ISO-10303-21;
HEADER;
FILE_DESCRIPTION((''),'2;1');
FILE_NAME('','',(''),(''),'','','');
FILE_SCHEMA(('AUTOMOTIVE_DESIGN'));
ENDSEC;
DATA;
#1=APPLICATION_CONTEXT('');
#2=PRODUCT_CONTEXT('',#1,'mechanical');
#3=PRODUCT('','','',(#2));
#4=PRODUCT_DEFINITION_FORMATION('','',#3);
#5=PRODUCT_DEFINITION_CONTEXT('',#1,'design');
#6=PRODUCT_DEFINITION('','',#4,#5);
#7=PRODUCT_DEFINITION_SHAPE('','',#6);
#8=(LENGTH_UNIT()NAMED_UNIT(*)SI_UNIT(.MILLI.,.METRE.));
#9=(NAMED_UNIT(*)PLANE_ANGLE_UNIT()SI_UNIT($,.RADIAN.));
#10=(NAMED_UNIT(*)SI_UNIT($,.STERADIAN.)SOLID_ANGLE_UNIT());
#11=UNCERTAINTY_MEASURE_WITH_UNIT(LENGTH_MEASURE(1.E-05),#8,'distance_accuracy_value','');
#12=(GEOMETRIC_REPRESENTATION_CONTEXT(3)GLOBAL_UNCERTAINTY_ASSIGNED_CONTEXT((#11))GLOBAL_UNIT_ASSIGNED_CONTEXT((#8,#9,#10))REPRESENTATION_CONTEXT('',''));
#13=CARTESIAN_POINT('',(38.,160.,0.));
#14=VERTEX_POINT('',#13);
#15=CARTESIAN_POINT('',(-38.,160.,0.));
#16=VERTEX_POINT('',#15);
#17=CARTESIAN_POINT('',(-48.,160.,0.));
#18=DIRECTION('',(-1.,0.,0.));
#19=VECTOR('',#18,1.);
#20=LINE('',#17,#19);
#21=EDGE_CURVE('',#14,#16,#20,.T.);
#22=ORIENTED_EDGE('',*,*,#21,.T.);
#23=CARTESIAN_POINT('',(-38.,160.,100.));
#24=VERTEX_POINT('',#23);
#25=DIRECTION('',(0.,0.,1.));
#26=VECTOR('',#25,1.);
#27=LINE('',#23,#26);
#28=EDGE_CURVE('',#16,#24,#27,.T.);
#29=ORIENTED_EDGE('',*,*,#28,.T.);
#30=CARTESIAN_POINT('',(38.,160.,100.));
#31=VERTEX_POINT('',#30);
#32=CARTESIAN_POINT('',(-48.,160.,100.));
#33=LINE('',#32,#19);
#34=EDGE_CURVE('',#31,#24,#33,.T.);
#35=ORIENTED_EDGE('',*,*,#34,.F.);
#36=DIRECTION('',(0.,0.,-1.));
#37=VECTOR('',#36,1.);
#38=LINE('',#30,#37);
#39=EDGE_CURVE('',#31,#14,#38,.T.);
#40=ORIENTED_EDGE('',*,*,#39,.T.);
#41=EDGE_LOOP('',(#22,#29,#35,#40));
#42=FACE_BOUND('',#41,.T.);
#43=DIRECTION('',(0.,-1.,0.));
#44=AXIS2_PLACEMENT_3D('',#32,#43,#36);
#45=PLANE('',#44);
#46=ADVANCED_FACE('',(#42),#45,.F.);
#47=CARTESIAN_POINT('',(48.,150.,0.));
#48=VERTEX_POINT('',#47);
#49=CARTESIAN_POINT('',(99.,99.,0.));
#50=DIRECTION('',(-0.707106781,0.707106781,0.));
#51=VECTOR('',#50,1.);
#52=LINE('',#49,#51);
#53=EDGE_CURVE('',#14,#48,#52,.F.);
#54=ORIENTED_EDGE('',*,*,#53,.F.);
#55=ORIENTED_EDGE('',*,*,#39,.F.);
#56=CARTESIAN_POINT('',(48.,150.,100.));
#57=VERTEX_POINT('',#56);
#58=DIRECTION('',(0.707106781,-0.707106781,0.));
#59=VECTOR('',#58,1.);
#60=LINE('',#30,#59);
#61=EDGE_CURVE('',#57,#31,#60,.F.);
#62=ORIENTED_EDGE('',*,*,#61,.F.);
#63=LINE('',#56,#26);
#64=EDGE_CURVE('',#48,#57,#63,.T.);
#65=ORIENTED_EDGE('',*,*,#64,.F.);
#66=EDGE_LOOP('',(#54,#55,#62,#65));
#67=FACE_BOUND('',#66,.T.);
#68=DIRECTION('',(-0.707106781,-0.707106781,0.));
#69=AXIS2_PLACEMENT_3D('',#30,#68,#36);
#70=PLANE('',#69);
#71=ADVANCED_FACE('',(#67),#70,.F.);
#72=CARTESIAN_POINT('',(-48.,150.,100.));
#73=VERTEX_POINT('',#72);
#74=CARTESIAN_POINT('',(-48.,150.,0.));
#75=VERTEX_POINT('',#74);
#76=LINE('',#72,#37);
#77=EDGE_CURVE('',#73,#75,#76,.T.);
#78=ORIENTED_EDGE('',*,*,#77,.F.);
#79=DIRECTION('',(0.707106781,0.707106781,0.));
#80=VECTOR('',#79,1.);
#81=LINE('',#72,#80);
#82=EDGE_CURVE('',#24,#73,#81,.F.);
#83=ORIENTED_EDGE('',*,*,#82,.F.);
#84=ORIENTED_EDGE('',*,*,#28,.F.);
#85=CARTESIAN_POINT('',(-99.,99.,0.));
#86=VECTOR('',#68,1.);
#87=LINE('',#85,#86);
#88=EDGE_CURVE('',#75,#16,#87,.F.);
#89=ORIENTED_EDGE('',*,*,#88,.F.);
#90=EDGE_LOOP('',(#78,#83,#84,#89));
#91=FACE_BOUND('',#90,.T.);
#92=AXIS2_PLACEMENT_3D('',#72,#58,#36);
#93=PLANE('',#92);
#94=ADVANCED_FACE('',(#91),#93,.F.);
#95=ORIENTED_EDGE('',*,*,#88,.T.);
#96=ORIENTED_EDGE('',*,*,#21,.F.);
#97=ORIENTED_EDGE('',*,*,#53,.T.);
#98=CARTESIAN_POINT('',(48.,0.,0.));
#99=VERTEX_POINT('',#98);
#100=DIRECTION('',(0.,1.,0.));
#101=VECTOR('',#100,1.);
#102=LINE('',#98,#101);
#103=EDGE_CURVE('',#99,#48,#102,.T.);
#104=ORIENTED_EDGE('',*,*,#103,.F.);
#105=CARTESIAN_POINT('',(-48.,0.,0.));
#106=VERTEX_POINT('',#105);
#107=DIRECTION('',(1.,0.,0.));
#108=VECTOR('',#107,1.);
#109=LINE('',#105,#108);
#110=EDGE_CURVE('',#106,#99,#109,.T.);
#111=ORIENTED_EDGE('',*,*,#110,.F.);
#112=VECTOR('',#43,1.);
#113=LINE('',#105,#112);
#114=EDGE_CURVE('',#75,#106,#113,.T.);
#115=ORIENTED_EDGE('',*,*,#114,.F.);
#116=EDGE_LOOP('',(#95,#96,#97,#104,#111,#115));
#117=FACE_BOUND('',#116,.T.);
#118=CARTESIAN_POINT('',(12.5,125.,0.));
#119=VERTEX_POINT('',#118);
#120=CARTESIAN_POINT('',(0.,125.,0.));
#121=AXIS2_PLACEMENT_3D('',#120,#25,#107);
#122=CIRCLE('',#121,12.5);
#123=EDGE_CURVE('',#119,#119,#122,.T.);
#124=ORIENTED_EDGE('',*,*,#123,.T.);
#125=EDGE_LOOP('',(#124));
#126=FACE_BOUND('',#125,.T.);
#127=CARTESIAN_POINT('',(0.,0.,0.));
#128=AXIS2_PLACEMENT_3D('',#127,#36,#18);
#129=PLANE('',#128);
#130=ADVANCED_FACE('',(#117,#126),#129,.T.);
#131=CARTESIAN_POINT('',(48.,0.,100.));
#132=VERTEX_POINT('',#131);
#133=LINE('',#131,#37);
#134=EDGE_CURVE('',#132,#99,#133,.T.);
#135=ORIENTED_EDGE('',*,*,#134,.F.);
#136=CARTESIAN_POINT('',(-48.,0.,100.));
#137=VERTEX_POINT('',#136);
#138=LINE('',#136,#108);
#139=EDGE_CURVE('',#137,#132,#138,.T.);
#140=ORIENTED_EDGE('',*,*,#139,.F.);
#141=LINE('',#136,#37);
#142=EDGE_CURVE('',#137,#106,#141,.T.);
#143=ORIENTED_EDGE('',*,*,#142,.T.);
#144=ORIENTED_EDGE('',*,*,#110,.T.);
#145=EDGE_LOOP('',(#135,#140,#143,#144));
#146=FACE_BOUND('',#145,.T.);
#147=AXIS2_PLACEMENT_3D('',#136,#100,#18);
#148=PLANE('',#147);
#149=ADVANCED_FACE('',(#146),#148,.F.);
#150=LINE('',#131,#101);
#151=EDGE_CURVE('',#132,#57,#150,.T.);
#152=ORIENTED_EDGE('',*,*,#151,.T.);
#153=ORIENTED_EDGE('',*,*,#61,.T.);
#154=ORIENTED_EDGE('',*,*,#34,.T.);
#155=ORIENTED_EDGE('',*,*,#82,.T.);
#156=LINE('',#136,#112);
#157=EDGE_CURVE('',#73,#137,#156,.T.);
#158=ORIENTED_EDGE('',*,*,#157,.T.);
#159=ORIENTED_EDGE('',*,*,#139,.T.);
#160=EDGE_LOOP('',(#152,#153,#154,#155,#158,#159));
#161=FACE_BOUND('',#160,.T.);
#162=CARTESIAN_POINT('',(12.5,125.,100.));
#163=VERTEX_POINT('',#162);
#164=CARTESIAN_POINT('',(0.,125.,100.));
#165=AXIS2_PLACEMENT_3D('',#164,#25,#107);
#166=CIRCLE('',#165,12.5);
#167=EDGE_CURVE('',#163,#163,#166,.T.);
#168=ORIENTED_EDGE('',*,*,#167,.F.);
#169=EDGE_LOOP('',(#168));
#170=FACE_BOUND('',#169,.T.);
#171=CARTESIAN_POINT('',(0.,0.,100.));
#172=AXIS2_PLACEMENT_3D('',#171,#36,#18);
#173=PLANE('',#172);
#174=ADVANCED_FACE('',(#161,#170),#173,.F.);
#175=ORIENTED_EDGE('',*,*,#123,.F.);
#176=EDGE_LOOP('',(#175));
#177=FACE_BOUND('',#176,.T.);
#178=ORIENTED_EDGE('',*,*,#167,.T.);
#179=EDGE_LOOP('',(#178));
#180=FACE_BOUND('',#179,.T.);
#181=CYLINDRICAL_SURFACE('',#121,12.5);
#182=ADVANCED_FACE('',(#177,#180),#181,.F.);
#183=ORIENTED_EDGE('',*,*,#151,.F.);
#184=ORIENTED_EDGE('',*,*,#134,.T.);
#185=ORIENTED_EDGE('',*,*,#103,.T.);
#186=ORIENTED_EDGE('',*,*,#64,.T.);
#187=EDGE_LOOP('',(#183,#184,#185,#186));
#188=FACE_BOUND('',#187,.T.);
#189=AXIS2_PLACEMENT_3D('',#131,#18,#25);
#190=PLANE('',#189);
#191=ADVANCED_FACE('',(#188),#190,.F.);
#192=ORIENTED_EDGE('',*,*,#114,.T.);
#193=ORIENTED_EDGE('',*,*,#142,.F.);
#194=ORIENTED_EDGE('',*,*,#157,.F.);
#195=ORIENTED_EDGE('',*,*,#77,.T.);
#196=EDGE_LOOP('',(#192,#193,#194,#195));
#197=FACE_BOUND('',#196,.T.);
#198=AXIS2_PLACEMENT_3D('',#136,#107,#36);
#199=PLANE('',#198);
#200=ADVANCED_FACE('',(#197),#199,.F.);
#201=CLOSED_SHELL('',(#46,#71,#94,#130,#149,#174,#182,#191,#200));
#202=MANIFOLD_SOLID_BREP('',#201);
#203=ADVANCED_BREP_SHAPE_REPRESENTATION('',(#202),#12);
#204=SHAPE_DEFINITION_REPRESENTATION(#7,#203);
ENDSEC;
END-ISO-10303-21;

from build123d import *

# Parameters (mm, degrees)
SKETCH1_W           = 96
SKETCH1_H           = 160
BOSS_EXTRUDE1_DEPTH = 100
SKETCH2_R           = 12.5
CUT_EXTRUDE1_DEPTH  = 195.689496378
CHAMFER1_SIZE       = 10


with BuildPart() as part:
    # Sketch1 → Boss-Extrude1 (new body)
    with BuildSketch(Plane.XY):
        with Locations((0, 80)):
            Rectangle(SKETCH1_W, SKETCH1_H)
    extrude(amount=BOSS_EXTRUDE1_DEPTH)

    # Sketch2 → Cut-Extrude1 (cut, through all)
    with BuildSketch(Plane.XY.offset(100)):
        with Locations((0, 125)):
            Circle(SKETCH2_R)
    extrude(amount=-CUT_EXTRUDE1_DEPTH, mode=Mode.SUBTRACT)

    # Chamfer1
    chamfer1_edges = [part.edges().sort_by_distance(p)[0] for p in [
        (-48, 160, 50),
        (48, 160, 50),
    ]]
    chamfer(chamfer1_edges, length=CHAMFER1_SIZE)


solid = part.part
